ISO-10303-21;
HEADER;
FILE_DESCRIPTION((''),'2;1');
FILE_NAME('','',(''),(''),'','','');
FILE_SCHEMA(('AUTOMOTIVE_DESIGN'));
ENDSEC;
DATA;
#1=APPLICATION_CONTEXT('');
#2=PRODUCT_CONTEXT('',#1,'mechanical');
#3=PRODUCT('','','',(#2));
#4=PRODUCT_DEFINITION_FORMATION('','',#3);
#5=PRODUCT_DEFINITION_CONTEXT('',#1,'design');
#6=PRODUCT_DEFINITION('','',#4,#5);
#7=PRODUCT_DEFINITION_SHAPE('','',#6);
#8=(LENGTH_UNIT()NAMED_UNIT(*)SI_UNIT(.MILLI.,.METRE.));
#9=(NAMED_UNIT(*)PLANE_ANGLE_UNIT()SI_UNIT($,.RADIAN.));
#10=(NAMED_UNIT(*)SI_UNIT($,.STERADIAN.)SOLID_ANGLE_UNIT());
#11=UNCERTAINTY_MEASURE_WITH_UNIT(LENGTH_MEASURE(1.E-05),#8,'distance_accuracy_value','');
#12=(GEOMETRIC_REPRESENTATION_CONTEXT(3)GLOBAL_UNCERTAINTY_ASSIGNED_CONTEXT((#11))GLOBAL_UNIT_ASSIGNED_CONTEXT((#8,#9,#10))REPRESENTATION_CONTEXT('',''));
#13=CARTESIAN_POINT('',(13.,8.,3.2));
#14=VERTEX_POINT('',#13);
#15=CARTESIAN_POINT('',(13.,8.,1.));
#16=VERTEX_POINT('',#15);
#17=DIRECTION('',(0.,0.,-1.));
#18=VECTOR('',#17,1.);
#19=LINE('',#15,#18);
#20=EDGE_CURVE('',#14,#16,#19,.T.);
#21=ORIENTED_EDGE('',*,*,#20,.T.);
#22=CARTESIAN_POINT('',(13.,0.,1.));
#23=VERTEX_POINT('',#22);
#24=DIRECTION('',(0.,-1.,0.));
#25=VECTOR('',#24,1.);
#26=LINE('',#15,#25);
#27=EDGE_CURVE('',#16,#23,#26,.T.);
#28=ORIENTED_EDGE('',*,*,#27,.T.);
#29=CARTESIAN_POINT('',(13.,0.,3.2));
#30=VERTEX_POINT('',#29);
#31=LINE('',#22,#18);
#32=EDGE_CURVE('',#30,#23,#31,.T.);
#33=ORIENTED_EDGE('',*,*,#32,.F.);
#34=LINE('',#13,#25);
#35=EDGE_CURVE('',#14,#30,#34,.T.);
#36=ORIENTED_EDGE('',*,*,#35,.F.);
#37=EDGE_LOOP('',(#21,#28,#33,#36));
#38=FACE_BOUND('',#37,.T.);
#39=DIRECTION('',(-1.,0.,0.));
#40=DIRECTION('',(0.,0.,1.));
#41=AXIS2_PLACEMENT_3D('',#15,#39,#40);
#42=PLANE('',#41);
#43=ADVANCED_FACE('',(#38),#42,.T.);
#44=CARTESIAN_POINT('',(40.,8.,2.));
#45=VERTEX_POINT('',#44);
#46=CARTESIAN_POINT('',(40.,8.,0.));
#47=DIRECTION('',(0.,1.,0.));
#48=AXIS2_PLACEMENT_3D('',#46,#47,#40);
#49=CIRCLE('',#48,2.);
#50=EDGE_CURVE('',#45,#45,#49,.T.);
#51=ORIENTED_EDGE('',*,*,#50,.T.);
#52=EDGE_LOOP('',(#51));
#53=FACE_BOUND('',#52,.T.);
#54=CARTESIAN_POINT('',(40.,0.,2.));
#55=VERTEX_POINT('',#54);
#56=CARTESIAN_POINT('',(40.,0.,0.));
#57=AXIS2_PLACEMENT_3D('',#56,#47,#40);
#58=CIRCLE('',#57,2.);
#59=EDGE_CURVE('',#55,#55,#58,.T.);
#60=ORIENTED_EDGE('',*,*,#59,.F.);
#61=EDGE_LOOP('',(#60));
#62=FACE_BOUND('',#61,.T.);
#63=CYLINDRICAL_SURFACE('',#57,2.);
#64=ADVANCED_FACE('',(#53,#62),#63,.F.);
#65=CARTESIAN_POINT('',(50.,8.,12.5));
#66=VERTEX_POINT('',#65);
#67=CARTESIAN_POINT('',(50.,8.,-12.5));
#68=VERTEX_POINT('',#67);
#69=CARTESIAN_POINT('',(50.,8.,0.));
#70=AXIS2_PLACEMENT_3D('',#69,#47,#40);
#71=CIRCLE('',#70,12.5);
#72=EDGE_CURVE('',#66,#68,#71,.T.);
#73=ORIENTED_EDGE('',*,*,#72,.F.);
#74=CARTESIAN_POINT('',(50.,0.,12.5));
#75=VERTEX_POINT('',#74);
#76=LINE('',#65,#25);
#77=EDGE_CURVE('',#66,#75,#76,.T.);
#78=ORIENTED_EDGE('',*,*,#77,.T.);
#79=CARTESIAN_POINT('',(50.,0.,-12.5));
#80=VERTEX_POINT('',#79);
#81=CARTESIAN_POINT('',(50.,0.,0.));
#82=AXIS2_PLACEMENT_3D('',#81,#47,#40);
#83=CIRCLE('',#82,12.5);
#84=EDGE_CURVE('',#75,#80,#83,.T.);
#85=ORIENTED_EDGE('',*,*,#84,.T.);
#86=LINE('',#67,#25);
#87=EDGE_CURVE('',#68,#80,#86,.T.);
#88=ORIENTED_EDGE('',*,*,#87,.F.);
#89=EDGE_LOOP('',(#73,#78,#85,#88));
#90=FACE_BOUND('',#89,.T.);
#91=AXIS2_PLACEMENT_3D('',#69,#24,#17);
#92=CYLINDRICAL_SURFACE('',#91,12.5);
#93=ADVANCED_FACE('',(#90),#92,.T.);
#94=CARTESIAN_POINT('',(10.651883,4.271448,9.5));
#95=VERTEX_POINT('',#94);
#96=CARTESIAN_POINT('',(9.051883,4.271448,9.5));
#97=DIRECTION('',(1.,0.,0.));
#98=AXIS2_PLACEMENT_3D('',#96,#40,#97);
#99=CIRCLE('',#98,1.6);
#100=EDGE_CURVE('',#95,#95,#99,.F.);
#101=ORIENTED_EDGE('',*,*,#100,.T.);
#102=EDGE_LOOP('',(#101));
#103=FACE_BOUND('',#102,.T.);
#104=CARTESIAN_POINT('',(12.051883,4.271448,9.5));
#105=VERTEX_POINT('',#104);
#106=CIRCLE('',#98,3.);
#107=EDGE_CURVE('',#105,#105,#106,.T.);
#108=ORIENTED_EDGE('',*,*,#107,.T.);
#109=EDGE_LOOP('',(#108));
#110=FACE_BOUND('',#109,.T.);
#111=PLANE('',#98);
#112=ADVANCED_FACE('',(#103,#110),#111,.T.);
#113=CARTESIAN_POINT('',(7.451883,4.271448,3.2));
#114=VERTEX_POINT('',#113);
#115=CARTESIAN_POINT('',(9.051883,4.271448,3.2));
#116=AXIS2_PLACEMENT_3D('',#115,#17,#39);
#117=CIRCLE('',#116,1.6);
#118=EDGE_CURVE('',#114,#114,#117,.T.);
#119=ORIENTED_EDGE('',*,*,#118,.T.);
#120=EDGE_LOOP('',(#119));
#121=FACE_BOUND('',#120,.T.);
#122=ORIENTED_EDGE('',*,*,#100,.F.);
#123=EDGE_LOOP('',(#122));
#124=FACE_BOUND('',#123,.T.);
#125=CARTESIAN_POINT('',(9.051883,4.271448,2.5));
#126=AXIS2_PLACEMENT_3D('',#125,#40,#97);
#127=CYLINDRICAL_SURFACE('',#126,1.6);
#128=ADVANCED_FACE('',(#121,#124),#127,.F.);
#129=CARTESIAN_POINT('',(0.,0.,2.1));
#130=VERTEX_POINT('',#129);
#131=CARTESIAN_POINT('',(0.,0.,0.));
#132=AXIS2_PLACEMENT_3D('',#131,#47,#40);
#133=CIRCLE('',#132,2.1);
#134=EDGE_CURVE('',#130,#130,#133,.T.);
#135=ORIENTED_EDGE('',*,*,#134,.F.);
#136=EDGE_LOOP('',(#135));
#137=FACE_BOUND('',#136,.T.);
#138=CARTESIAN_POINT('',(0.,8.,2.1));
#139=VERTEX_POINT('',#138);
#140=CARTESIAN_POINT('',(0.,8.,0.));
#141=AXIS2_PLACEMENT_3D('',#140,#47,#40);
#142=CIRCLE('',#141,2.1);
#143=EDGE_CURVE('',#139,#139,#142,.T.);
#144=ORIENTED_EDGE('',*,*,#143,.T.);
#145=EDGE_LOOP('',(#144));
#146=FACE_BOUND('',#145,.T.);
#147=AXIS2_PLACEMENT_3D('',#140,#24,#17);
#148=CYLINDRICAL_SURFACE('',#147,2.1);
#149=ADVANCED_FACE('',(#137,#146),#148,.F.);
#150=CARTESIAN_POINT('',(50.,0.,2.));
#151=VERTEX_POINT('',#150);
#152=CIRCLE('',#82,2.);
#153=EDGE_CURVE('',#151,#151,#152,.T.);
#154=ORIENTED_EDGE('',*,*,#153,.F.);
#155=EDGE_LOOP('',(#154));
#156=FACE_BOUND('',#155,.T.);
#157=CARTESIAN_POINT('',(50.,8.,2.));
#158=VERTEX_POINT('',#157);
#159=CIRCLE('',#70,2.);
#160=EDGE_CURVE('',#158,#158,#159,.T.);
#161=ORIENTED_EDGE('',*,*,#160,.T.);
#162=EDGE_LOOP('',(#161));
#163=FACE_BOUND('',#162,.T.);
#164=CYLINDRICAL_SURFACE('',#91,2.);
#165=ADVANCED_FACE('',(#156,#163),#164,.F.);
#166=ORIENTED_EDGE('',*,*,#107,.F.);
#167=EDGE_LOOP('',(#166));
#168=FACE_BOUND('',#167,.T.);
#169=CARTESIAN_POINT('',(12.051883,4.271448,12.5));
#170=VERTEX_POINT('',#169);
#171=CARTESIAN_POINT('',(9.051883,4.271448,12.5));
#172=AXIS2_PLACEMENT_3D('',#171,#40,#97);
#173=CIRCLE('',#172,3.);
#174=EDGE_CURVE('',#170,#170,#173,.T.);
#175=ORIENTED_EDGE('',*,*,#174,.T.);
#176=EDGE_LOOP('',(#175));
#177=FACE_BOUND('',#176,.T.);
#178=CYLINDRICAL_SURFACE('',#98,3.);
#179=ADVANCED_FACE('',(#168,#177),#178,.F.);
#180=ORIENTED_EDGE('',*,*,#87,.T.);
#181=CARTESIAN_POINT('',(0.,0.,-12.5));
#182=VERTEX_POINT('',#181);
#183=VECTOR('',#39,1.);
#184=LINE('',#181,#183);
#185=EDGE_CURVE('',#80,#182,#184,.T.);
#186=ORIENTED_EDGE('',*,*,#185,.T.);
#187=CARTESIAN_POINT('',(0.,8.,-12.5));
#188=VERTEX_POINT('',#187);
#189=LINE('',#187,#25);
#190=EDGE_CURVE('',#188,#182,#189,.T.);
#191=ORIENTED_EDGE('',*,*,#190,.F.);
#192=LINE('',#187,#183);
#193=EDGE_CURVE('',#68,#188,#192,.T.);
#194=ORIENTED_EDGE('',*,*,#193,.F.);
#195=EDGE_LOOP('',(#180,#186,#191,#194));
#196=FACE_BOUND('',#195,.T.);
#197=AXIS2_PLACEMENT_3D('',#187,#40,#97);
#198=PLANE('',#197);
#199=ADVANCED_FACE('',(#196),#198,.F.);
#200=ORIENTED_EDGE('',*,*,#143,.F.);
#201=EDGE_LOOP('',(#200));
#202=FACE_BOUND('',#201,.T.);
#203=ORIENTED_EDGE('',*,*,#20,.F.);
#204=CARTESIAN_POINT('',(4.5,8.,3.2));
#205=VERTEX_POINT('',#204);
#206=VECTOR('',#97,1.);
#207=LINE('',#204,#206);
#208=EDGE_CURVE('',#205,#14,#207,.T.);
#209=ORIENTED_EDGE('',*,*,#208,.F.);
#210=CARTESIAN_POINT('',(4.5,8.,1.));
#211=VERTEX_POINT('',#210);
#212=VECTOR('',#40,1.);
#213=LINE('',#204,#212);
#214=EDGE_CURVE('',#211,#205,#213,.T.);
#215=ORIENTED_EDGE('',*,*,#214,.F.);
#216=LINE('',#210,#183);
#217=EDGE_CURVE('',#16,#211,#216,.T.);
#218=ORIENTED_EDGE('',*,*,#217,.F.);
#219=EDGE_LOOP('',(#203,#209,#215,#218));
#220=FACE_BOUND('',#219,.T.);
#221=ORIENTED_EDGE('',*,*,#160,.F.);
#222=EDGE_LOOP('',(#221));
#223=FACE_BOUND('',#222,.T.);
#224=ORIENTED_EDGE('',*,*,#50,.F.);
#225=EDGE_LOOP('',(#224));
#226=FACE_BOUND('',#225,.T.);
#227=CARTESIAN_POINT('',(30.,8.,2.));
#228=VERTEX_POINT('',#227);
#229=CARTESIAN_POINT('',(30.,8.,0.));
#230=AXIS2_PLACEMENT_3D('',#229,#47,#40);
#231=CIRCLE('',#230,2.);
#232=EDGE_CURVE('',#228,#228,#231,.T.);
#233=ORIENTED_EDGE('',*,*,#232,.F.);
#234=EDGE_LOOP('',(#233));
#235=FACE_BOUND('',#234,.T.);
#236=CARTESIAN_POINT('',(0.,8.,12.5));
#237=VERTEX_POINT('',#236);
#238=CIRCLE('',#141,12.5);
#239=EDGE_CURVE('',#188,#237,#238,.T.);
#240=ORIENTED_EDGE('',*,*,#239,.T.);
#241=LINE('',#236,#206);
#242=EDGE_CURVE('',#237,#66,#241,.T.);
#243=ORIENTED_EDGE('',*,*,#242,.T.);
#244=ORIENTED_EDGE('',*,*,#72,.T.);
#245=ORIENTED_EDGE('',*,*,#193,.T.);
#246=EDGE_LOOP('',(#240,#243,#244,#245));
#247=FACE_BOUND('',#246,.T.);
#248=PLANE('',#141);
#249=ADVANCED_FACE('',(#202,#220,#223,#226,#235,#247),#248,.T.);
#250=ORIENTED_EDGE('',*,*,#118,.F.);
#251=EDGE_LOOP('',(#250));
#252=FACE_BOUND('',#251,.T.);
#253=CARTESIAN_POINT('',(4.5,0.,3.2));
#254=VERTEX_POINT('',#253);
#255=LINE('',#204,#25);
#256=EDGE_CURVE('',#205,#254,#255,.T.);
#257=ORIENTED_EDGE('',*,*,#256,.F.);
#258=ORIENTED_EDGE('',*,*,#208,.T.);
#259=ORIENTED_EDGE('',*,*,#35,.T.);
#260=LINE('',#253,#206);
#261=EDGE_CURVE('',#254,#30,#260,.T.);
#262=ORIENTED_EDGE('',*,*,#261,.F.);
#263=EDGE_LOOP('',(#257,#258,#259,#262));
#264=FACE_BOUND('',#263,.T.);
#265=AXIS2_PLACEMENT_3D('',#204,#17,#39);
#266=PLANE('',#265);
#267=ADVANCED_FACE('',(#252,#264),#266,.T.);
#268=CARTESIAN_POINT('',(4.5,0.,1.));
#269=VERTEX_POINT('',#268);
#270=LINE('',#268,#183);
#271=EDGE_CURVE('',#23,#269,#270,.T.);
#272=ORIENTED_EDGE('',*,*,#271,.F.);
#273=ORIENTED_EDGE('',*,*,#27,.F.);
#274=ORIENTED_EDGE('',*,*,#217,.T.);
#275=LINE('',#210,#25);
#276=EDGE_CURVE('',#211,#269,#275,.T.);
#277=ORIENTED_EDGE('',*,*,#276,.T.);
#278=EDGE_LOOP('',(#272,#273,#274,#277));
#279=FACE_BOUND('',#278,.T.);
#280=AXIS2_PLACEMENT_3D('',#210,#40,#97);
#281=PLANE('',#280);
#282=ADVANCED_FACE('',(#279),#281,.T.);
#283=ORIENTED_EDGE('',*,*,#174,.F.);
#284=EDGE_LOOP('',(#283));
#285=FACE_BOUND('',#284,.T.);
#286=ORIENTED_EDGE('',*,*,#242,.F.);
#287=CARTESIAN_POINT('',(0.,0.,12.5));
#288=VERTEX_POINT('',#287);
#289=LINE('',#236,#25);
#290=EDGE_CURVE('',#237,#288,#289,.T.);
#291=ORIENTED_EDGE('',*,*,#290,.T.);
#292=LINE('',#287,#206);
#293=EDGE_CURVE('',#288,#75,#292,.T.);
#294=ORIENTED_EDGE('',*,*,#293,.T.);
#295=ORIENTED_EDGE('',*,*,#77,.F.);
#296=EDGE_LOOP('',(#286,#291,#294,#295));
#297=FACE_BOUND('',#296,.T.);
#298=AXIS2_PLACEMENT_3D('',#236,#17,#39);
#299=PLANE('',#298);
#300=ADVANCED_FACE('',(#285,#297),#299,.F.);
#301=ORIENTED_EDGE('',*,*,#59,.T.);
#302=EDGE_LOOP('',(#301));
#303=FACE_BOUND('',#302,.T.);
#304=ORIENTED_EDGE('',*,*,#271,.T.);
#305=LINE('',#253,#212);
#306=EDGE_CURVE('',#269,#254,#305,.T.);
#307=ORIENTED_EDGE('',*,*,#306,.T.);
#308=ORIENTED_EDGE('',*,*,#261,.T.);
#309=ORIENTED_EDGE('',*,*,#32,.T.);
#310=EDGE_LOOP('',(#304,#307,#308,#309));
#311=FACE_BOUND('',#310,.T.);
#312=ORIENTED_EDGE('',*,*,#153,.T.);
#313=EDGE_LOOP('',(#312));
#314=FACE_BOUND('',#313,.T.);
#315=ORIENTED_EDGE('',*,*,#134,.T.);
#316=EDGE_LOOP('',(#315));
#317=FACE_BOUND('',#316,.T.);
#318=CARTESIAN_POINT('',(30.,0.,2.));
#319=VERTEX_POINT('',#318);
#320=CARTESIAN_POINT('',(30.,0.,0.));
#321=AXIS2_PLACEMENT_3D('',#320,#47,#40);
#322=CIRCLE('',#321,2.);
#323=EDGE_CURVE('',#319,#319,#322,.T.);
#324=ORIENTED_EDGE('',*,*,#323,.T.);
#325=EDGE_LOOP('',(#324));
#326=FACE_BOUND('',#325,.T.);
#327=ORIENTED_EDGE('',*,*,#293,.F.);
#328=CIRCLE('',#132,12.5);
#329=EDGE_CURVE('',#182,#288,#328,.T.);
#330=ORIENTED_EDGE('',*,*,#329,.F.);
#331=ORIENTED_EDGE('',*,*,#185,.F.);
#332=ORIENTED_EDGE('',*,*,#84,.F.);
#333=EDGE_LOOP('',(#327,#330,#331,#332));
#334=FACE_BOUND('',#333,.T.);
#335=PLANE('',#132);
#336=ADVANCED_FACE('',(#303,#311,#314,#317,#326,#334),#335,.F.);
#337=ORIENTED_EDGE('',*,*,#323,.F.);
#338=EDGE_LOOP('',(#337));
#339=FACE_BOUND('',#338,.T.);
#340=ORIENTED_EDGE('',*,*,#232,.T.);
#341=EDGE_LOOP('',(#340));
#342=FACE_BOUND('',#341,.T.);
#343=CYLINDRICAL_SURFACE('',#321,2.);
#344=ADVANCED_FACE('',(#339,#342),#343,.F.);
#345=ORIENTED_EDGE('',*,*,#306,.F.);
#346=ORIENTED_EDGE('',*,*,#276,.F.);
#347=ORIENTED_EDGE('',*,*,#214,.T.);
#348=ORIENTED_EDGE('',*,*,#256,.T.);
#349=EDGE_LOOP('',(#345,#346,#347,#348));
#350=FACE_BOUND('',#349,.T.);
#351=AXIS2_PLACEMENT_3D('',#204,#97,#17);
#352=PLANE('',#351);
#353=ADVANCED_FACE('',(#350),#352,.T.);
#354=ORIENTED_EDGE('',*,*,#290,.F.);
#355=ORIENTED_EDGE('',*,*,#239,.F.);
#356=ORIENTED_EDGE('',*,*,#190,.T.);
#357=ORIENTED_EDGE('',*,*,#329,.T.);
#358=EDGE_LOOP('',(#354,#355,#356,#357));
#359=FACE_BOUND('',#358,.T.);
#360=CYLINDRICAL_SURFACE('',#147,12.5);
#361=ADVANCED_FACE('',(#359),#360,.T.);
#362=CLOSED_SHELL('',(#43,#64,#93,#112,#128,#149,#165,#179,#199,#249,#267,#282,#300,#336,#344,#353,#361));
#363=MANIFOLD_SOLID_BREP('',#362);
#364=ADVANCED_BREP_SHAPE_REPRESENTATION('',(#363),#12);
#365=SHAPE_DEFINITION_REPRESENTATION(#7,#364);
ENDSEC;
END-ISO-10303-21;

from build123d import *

# Parameters (mm, degrees)
SKETCH_1_R          = 2.1
SKETCH_1_R_2        = 2
SKETCH_1_W          = 8.5
SKETCH_1_H          = 2.2
EXTRUDE_1_DEPTH     = 8
CUT_EXTRUDE_START   = -8
SKETCH_2_R          = 2
CUT_EXTRUDE_2_DEPTH = 8
SKETCH_3_R          = 1.6
CUT_EXTRUDE_3_DEPTH = 10
SKETCH_4_R          = 3
CUT_EXTRUDE_4_DEPTH = 3


with BuildPart() as part:
    # 草图1 → 凸台-拉伸1 (new body)
    with BuildSketch(Plane(origin=(0, 0, 0), x_dir=(1, 0, 0), z_dir=(0, 1, 0))):
        with BuildLine():
            Line((0, 12.5), (50, 12.5))
            ThreePointArc((50, 12.5), (62.5, 0), (50, -12.5))
            Line((50, -12.5), (0, -12.5))
            ThreePointArc((0, -12.5), (-12.5, 0), (0, 12.5))
        make_face()
        with Locations(Location((0, 0, 0), (0, 0, 270))):
            Circle(SKETCH_1_R, mode=Mode.SUBTRACT)
        with Locations(Location((50, 0, 0), (0, 0, 270))):
            Circle(SKETCH_1_R_2, mode=Mode.SUBTRACT)
        with Locations((8.75, -2.1)):
            Rectangle(SKETCH_1_W, SKETCH_1_H, mode=Mode.SUBTRACT)
    extrude(amount=EXTRUDE_1_DEPTH)

    # 草图2 → 切除-拉伸2 (cut)
    with BuildSketch(Plane(origin=(0, 8, 0), x_dir=(1, 0, 0), z_dir=(0, 1, 0)).offset(CUT_EXTRUDE_START)):
        with Locations(Location((40, 0, 0), (0, 0, 270))):
            Circle(SKETCH_2_R)
        with Locations(Location((30, 0, 0), (0, 0, 270))):
            Circle(SKETCH_2_R)
        with Locations(Location((50, 0, 0), (0, 0, 270))):
            Circle(SKETCH_2_R)
    extrude(amount=CUT_EXTRUDE_2_DEPTH, mode=Mode.SUBTRACT)

    # 草图3 → 切除-拉伸3 (cut)
    with BuildSketch(Plane.XY.offset(12.5)):
        with Locations((9.051883486, 4.271448274)):
            Circle(SKETCH_3_R)
    extrude(amount=-CUT_EXTRUDE_3_DEPTH, mode=Mode.SUBTRACT)

    # 草图4 → 切除-拉伸4 (cut)
    with BuildSketch(Plane.XY.offset(12.5)):
        with Locations((9.051883486, 4.271448274)):
            Circle(SKETCH_4_R)
    extrude(amount=-CUT_EXTRUDE_4_DEPTH, mode=Mode.SUBTRACT)


solid = part.part
